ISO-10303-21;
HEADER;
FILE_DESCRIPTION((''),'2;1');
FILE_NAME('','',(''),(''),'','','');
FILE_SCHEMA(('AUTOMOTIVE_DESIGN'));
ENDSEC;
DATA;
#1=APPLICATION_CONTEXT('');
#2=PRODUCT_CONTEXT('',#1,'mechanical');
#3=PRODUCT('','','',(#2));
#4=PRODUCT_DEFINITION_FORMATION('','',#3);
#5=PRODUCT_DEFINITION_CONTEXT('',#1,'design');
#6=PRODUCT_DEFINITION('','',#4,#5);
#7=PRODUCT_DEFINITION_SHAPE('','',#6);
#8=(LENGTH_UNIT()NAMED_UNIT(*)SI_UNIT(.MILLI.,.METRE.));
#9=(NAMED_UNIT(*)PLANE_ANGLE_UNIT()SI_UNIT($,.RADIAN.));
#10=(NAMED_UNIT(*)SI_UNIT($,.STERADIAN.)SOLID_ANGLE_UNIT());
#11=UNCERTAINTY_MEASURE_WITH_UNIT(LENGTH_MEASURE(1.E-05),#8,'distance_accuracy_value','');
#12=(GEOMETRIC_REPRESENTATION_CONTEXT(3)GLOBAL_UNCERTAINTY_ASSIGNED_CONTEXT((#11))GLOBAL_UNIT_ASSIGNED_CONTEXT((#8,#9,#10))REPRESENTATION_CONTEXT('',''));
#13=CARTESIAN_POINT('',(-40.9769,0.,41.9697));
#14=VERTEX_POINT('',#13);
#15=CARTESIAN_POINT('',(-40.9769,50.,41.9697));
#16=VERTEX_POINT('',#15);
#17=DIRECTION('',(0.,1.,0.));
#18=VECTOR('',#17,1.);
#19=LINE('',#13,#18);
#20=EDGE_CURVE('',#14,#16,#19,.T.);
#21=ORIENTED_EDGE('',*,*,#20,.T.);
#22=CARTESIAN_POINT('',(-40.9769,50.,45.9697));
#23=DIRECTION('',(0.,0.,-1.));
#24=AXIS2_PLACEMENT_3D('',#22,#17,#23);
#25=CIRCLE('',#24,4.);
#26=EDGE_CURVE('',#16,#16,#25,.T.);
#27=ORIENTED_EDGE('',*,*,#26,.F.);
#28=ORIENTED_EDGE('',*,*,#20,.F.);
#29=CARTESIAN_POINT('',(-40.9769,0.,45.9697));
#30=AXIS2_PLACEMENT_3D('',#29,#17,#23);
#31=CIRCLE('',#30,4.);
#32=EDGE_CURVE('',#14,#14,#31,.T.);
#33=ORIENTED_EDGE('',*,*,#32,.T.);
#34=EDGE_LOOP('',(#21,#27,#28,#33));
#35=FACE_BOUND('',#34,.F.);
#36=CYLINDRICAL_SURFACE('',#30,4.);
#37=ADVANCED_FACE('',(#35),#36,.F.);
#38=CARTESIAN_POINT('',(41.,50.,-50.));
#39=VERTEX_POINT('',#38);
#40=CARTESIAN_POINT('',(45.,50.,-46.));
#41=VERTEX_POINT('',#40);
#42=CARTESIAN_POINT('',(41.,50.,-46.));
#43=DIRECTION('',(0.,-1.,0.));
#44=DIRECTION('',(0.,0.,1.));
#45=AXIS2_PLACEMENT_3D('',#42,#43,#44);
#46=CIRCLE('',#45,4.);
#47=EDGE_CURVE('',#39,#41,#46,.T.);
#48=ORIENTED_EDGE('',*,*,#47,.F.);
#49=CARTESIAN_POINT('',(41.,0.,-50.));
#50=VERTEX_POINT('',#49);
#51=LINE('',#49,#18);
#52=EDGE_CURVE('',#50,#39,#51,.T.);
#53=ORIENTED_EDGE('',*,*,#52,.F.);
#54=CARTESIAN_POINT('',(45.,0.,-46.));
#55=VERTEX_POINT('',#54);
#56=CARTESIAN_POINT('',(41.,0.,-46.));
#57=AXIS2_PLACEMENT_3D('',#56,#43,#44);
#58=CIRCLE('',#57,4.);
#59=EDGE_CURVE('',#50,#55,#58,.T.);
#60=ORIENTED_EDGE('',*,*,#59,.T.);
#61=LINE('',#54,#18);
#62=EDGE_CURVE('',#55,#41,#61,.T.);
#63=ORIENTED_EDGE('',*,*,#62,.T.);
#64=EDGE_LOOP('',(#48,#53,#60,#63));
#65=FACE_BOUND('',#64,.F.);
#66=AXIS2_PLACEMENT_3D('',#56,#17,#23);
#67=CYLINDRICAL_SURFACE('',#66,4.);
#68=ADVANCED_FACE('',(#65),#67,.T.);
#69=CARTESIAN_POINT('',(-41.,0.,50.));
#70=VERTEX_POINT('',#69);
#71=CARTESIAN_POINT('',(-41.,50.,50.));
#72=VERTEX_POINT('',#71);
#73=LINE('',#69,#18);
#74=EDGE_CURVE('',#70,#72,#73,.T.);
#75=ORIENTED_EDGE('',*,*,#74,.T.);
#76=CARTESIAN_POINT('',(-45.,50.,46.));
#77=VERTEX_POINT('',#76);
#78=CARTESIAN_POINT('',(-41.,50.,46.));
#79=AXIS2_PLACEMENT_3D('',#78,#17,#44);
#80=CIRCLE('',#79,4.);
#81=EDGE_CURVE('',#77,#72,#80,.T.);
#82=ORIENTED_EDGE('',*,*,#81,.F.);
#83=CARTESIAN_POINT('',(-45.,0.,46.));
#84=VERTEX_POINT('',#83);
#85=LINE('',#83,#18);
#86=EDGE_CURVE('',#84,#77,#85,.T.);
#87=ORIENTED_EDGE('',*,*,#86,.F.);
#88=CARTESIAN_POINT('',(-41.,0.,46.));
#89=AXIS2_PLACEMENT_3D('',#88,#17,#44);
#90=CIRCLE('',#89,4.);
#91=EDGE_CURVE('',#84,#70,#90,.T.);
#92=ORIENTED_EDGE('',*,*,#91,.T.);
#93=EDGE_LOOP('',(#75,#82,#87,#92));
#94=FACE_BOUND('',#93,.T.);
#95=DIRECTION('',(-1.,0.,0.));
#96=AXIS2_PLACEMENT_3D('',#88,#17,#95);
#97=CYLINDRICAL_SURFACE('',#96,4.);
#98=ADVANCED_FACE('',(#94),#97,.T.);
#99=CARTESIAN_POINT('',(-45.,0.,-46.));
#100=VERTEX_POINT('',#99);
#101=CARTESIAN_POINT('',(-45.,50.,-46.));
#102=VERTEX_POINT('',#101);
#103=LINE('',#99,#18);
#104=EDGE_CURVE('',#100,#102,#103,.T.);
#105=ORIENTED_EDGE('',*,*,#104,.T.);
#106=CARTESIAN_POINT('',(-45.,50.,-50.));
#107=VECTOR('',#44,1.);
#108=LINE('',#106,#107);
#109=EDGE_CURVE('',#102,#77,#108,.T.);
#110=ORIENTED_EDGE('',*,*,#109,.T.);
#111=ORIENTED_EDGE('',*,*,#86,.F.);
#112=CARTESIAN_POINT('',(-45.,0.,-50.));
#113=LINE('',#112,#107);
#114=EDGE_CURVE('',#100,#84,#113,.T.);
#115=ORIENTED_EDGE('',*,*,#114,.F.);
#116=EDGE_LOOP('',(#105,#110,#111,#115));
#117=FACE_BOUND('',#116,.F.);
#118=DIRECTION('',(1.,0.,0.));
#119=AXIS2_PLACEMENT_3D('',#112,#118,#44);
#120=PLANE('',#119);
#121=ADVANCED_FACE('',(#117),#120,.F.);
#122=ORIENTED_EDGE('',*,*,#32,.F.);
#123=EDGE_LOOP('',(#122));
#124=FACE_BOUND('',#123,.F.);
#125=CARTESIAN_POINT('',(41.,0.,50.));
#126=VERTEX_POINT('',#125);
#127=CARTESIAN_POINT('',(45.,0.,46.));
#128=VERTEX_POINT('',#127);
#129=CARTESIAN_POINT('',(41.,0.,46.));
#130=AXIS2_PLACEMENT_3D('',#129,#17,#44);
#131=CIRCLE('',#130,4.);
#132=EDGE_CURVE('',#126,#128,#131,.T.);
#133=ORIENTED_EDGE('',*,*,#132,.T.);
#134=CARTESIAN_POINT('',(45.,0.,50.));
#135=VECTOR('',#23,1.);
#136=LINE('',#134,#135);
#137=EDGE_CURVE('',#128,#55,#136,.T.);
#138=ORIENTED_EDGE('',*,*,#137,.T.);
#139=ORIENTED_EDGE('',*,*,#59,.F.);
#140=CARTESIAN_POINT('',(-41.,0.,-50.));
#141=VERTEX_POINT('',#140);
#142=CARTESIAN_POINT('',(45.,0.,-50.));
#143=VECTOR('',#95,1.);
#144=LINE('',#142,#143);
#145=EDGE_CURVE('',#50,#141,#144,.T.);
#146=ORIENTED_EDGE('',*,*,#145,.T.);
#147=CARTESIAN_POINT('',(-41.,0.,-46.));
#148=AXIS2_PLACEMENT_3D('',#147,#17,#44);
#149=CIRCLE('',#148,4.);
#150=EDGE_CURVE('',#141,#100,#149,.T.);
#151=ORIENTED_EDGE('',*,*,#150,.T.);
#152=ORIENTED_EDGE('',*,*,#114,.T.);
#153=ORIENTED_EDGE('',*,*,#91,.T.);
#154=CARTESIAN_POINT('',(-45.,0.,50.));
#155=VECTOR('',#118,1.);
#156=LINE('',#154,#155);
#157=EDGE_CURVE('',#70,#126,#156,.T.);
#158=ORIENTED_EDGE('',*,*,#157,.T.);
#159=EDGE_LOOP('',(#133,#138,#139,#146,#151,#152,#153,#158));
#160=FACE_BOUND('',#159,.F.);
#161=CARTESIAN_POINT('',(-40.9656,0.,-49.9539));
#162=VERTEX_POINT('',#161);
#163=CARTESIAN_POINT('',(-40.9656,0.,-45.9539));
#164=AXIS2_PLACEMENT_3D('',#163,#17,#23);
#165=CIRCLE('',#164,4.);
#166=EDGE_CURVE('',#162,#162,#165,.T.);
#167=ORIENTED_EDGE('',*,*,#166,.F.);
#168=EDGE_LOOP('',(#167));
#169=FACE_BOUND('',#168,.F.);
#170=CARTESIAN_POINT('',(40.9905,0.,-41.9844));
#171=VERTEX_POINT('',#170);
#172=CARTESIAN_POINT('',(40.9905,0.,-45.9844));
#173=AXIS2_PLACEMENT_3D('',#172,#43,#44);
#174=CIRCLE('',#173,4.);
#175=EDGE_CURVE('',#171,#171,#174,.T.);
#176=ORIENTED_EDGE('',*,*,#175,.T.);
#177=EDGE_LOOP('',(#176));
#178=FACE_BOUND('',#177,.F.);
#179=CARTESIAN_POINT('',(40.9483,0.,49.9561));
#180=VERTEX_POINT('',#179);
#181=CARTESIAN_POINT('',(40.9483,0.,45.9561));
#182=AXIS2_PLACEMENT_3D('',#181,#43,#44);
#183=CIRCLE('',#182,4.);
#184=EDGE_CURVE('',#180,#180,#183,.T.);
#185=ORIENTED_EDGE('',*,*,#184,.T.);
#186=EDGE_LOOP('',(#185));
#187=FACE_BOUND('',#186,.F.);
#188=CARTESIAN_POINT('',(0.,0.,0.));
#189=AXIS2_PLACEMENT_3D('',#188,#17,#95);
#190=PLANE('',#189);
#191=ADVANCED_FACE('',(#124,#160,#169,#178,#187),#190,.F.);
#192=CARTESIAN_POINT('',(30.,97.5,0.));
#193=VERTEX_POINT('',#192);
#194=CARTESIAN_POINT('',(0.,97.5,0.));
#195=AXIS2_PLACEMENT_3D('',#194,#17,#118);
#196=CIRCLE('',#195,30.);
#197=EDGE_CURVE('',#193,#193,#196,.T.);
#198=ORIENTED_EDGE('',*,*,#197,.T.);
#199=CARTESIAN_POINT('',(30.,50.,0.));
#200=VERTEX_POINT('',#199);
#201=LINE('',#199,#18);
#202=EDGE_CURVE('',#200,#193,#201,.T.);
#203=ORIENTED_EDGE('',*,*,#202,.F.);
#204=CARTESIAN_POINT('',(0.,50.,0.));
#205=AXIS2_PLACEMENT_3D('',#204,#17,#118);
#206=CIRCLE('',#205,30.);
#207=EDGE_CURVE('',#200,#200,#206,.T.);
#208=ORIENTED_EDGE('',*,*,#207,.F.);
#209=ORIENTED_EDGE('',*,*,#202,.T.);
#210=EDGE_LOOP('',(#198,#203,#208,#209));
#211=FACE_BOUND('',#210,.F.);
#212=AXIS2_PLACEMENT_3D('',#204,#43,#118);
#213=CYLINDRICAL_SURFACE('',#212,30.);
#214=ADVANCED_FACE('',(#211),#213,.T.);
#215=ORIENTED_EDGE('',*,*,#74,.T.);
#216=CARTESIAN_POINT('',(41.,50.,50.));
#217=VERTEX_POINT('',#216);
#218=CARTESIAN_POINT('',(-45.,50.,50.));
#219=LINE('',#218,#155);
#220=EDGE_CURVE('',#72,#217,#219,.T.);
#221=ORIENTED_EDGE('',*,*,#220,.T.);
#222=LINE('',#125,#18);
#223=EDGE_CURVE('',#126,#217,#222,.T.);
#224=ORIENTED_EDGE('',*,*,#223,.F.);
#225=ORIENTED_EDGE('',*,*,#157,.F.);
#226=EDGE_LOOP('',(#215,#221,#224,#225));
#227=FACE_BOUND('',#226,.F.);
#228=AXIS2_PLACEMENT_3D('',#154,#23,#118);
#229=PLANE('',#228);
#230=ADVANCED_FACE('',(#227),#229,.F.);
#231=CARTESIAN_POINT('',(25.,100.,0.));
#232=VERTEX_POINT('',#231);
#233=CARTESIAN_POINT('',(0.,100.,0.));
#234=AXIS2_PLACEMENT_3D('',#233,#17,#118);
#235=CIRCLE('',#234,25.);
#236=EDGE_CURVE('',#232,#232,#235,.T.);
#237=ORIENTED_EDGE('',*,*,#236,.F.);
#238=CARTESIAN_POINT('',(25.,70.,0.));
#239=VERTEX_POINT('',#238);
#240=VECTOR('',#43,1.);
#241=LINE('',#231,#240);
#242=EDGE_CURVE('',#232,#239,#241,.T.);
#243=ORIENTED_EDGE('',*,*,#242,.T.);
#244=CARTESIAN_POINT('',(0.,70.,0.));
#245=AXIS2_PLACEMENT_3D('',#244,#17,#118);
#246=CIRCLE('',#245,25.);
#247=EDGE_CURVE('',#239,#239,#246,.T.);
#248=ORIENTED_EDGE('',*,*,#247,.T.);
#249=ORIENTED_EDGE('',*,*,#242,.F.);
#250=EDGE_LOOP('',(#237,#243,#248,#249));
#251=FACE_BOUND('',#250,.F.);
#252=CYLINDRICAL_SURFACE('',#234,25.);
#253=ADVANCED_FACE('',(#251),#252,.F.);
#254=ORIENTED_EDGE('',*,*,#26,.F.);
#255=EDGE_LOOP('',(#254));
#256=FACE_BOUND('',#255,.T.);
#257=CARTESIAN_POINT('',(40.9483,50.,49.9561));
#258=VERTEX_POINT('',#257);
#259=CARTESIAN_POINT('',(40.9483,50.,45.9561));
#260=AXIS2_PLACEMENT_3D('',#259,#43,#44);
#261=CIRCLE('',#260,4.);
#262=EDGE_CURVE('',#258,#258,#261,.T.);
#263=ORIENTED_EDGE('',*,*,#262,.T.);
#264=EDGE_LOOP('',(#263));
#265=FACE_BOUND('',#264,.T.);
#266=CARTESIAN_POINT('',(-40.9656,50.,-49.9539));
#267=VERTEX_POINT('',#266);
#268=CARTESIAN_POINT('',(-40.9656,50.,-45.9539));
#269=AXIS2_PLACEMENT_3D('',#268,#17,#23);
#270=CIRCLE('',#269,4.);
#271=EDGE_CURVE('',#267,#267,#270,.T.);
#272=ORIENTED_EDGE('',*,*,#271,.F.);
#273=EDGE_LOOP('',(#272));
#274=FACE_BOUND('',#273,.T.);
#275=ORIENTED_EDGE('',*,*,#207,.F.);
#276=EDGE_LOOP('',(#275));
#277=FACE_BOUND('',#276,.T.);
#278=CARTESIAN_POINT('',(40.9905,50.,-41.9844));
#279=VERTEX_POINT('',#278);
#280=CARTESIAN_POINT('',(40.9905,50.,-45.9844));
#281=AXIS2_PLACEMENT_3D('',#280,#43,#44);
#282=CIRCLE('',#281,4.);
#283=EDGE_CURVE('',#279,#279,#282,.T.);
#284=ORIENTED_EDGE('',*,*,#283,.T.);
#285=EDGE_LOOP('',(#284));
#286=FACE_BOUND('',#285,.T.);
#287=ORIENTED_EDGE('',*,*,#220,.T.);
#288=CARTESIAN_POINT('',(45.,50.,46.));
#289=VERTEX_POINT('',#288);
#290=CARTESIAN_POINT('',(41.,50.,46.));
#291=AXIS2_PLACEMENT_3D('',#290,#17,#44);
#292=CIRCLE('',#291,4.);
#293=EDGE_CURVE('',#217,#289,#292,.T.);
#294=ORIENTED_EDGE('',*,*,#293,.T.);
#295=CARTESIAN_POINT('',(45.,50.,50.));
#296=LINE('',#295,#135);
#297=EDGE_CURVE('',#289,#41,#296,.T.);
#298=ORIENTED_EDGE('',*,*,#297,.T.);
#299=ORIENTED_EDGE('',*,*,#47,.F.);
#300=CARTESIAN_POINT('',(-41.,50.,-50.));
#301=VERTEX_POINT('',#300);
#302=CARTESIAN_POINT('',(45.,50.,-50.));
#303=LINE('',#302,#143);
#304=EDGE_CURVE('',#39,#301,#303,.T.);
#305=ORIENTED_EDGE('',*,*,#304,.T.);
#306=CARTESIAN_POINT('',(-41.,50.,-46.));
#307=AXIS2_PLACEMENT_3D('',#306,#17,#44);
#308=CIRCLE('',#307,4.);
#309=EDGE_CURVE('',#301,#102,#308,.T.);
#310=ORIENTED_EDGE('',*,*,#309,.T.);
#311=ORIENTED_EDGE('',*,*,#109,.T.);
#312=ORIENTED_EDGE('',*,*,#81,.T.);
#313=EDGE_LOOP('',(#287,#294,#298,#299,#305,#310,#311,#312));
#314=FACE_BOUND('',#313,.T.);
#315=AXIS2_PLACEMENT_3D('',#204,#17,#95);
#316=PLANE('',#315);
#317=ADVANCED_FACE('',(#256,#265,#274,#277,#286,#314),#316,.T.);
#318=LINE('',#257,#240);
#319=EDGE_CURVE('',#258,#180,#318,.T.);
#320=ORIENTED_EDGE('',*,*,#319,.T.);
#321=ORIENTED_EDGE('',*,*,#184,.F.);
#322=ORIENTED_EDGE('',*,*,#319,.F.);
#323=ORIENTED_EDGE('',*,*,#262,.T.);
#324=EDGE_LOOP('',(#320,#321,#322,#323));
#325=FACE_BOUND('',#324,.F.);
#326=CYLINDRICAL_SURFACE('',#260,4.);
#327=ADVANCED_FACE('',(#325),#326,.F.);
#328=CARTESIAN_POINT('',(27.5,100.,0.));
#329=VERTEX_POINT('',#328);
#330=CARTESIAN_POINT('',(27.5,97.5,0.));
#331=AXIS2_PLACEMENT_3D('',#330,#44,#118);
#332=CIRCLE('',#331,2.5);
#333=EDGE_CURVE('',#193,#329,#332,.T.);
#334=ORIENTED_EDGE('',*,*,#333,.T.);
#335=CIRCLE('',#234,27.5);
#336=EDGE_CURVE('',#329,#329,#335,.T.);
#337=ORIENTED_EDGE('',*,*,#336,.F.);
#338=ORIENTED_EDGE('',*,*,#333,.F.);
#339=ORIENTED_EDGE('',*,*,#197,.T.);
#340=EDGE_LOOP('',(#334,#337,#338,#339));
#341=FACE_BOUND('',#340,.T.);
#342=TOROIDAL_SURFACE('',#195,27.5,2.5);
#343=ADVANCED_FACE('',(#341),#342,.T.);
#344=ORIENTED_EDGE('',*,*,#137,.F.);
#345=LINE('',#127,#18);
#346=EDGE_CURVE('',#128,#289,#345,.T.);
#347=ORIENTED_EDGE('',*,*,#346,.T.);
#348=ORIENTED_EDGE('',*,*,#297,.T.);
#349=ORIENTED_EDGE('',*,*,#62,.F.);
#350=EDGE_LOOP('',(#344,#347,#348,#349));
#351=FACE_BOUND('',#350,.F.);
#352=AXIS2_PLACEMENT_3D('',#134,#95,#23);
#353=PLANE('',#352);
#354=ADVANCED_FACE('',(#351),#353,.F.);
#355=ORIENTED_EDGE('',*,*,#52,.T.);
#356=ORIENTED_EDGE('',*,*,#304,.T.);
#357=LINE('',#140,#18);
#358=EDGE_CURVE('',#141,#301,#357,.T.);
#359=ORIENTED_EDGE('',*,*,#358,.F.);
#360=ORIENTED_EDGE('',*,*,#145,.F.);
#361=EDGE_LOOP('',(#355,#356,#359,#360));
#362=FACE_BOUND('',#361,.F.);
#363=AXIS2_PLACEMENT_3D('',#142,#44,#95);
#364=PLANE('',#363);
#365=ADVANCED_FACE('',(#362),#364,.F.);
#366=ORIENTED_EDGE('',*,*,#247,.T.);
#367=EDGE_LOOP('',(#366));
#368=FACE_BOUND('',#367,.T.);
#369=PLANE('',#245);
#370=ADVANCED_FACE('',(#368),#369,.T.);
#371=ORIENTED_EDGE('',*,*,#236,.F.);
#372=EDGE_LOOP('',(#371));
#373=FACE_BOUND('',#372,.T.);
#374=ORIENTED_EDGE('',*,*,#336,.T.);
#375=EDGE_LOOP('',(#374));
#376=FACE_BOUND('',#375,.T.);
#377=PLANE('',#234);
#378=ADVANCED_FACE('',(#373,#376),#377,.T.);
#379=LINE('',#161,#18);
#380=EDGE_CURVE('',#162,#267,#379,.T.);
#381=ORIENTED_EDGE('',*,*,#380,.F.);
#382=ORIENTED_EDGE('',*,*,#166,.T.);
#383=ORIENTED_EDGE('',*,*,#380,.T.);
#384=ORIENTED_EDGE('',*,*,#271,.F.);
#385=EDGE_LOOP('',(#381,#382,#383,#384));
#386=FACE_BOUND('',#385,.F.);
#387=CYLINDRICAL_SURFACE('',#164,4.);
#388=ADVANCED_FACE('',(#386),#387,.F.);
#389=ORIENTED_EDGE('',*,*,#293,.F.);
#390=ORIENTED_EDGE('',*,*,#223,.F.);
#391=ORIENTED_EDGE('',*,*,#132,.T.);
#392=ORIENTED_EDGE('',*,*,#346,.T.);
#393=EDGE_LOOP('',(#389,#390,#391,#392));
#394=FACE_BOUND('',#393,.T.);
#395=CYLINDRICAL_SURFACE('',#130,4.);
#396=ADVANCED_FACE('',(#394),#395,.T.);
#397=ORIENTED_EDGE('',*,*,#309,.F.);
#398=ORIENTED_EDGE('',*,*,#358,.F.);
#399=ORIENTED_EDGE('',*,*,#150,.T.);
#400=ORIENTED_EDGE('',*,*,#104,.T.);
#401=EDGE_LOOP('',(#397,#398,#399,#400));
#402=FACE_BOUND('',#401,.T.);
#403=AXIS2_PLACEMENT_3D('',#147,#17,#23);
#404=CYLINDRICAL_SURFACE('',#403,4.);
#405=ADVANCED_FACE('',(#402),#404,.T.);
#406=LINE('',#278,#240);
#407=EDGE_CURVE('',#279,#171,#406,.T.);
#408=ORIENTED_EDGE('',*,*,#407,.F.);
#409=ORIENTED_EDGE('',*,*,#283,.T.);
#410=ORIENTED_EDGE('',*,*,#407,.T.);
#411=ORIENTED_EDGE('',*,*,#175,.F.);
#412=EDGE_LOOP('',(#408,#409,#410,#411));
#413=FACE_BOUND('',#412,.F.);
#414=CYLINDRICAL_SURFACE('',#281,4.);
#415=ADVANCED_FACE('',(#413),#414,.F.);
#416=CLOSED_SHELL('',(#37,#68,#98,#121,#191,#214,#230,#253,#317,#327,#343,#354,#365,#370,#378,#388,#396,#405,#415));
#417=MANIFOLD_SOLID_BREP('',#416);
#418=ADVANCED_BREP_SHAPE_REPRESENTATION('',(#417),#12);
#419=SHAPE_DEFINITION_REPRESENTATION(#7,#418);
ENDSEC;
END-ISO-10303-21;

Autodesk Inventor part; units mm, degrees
ref_plane "YZ Plane" through (0, 0, 0) normal (1, 0, 0) x (0, 1, 0)
ref_plane "XZ Plane" through (0, 0, 0) normal (0, 1, 0) x (-1, 0, 0)
ref_plane "XY Plane" through (0, 0, 0) normal (0, 0, 1) x (1, 0, 0)
sketch "Sketch2" plane through (0, 0, 0) normal (0, 1, 0) x (-1, 0, 0)
  line L0 (45, 50) -> (-45, 50)
  line L1 (-45, 50) -> (-45, -50)
  line L2 (-45, -50) -> (45, -50)
  line L3 (45, -50) -> (45, 50)
  line L4 (45, 50) -> (-45, -50) construction
  line L5 (-45, 50) -> (45, -50) construction
  point P0 (0, 0)
  dimension "d0" = 90
  dimension "d1" = 100
extrude "Extrusion1" add sketch "Sketch2" along normal blind 50
sketch "Sketch4" plane through (0, 50, 0) normal (0, 1, 0) x (1, 0, 0)
  point P0 (0, 0)
  point P1 (40.9905, 45.9844)
hole "Hole1" at (40.9905, 50, -45.9844) direction (0, -1, 0) diameter 8 end through all
sketch "Sketch5" plane through (0, 0, 0) normal (0, -1, 0) x (1, 0, 0)
  point P0 (0, 0)
  point P1 (-40.9769, 45.9697)
hole "Hole2" at (-40.9769, 0, 45.9697) direction (0, 1, 0) diameter 8 end through all
sketch "Sketch6" plane through (0, 0, 0) normal (0, -1, 0) x (1, 0, 0)
  point P0 (0, 0)
  point P1 (-40.9656, -45.9539)
hole "Hole3" at (-40.9656, 0, -45.9539) direction (0, 1, 0) diameter 8 end through all
sketch "Sketch7" plane through (0, 50, 0) normal (0, 1, 0) x (1, 0, 0)
  point P0 (0, 0)
  point P1 (40.9483, -45.9561)
hole "Hole4" at (40.9483, 50, 45.9561) direction (0, -1, 0) diameter 8 end through all
thread "Thread1" size "M8x1.25" class "6H" standard "ANSI Metric M Profile" full length
thread "Thread2" size "M8x1.25" class "6H" standard "ANSI Metric M Profile" full length
thread "Thread3" size "M8x1.25" class "6H" standard "ANSI Metric M Profile" full length
thread "Thread4" size "M8x1.25" class "6H" standard "ANSI Metric M Profile" full length
fillet "Fillet1" radius 4 1 edges at (45, 25, -50)
fillet "Fillet2" radius 4 1 edges at (-45, 25, -50)
fillet "Fillet3" radius 4 1 edges at (-45, 25, 50)
fillet "Fillet4" radius 4 1 edges at (45, 25, 50)
sketch "Sketch9" plane through (0, 50, 0) normal (0, 1, 0) x (1, 0, 0)
  circle A0 centre (0, 0) radius 30
  dimension "d44" = 60
extrude "Extrusion2" add sketch "Sketch9" along normal blind 50
sketch "Sketch10" plane through (0, 100, 0) normal (0, 1, 0) x (1, 0, 0)
  circle A0 centre (0, 0) radius 25
  dimension "d47" = 50
extrude "Extrusion3" cut sketch "Sketch10" against normal blind 30
thread "Thread5" size "M50x4" class "6H" standard "ANSI Metric M Profile" full length
fillet "Fillet5" radius 2.5 1 edges at (-30, 100, 0)
properties part number "Práctica 1 - Melany Escobar"
